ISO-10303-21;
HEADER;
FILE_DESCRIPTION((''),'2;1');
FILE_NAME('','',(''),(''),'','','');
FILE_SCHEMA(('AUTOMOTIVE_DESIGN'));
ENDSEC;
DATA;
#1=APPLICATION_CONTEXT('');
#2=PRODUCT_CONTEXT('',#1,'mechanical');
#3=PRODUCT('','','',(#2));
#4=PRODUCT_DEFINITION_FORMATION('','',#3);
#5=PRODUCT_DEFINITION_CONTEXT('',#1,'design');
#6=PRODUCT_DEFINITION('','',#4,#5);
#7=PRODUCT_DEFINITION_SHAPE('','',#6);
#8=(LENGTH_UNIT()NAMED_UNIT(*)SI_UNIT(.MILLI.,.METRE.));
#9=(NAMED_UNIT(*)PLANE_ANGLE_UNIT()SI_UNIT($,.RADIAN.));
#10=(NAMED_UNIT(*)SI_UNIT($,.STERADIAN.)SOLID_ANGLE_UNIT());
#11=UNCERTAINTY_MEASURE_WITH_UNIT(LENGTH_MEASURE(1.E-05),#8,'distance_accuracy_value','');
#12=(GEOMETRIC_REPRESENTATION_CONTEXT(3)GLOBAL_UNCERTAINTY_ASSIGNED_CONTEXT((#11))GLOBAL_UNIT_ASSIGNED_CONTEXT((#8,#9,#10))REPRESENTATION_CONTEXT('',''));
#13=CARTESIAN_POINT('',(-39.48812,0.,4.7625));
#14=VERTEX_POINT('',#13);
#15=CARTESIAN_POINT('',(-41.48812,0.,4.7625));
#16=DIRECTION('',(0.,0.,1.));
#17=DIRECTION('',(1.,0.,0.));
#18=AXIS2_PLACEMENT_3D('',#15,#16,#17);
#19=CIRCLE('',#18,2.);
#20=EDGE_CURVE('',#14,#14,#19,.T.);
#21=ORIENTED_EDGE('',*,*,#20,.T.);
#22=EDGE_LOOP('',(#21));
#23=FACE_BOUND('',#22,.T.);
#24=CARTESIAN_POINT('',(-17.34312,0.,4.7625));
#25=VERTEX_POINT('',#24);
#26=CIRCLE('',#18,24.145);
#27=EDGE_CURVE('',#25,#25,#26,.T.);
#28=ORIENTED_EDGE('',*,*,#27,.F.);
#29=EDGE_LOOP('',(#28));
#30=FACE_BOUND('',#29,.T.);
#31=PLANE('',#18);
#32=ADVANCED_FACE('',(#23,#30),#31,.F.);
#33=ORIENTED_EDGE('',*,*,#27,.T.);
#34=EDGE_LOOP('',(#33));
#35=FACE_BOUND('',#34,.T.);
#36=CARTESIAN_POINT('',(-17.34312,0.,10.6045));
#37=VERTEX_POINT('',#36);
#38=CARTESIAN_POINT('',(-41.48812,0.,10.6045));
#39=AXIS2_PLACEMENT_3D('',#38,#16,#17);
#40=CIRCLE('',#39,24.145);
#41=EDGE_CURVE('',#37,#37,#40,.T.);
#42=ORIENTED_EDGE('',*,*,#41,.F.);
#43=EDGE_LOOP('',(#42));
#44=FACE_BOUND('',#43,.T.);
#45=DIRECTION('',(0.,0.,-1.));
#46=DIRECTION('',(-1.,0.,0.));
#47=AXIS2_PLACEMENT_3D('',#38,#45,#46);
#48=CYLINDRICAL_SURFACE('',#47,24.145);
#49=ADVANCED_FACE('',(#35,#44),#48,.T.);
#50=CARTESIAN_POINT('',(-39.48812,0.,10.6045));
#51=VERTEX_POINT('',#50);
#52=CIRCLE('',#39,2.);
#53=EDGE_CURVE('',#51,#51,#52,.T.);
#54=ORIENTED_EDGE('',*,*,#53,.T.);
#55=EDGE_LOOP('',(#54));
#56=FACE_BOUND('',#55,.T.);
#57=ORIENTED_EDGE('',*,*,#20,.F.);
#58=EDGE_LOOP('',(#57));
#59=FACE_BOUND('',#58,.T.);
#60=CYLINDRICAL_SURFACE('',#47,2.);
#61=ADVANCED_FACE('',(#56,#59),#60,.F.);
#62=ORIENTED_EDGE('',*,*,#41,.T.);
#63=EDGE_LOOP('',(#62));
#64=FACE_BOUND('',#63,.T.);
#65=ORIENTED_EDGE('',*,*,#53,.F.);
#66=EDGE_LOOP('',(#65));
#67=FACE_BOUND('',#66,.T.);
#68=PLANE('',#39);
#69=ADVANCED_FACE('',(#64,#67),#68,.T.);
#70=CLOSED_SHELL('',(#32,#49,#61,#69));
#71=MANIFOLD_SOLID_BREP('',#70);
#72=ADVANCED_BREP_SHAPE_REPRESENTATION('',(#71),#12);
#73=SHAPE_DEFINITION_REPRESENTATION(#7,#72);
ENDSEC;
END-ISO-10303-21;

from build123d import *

# Parameters (mm, degrees)
SKETCH1_R           = 24.145
SKETCH1_R_2         = 2
BOSS_EXTRUDE1_DEPTH = 5.842


with BuildPart() as part:
    # Sketch1 → Boss-Extrude1 (new body)
    with BuildSketch(Plane.XY.offset(4.7625)):
        with Locations((-41.488120366, 0)):
            Circle(SKETCH1_R)
        with Locations((-41.488120366, 0)):
            Circle(SKETCH1_R_2, mode=Mode.SUBTRACT)
    extrude(amount=BOSS_EXTRUDE1_DEPTH)


solid = part.part
